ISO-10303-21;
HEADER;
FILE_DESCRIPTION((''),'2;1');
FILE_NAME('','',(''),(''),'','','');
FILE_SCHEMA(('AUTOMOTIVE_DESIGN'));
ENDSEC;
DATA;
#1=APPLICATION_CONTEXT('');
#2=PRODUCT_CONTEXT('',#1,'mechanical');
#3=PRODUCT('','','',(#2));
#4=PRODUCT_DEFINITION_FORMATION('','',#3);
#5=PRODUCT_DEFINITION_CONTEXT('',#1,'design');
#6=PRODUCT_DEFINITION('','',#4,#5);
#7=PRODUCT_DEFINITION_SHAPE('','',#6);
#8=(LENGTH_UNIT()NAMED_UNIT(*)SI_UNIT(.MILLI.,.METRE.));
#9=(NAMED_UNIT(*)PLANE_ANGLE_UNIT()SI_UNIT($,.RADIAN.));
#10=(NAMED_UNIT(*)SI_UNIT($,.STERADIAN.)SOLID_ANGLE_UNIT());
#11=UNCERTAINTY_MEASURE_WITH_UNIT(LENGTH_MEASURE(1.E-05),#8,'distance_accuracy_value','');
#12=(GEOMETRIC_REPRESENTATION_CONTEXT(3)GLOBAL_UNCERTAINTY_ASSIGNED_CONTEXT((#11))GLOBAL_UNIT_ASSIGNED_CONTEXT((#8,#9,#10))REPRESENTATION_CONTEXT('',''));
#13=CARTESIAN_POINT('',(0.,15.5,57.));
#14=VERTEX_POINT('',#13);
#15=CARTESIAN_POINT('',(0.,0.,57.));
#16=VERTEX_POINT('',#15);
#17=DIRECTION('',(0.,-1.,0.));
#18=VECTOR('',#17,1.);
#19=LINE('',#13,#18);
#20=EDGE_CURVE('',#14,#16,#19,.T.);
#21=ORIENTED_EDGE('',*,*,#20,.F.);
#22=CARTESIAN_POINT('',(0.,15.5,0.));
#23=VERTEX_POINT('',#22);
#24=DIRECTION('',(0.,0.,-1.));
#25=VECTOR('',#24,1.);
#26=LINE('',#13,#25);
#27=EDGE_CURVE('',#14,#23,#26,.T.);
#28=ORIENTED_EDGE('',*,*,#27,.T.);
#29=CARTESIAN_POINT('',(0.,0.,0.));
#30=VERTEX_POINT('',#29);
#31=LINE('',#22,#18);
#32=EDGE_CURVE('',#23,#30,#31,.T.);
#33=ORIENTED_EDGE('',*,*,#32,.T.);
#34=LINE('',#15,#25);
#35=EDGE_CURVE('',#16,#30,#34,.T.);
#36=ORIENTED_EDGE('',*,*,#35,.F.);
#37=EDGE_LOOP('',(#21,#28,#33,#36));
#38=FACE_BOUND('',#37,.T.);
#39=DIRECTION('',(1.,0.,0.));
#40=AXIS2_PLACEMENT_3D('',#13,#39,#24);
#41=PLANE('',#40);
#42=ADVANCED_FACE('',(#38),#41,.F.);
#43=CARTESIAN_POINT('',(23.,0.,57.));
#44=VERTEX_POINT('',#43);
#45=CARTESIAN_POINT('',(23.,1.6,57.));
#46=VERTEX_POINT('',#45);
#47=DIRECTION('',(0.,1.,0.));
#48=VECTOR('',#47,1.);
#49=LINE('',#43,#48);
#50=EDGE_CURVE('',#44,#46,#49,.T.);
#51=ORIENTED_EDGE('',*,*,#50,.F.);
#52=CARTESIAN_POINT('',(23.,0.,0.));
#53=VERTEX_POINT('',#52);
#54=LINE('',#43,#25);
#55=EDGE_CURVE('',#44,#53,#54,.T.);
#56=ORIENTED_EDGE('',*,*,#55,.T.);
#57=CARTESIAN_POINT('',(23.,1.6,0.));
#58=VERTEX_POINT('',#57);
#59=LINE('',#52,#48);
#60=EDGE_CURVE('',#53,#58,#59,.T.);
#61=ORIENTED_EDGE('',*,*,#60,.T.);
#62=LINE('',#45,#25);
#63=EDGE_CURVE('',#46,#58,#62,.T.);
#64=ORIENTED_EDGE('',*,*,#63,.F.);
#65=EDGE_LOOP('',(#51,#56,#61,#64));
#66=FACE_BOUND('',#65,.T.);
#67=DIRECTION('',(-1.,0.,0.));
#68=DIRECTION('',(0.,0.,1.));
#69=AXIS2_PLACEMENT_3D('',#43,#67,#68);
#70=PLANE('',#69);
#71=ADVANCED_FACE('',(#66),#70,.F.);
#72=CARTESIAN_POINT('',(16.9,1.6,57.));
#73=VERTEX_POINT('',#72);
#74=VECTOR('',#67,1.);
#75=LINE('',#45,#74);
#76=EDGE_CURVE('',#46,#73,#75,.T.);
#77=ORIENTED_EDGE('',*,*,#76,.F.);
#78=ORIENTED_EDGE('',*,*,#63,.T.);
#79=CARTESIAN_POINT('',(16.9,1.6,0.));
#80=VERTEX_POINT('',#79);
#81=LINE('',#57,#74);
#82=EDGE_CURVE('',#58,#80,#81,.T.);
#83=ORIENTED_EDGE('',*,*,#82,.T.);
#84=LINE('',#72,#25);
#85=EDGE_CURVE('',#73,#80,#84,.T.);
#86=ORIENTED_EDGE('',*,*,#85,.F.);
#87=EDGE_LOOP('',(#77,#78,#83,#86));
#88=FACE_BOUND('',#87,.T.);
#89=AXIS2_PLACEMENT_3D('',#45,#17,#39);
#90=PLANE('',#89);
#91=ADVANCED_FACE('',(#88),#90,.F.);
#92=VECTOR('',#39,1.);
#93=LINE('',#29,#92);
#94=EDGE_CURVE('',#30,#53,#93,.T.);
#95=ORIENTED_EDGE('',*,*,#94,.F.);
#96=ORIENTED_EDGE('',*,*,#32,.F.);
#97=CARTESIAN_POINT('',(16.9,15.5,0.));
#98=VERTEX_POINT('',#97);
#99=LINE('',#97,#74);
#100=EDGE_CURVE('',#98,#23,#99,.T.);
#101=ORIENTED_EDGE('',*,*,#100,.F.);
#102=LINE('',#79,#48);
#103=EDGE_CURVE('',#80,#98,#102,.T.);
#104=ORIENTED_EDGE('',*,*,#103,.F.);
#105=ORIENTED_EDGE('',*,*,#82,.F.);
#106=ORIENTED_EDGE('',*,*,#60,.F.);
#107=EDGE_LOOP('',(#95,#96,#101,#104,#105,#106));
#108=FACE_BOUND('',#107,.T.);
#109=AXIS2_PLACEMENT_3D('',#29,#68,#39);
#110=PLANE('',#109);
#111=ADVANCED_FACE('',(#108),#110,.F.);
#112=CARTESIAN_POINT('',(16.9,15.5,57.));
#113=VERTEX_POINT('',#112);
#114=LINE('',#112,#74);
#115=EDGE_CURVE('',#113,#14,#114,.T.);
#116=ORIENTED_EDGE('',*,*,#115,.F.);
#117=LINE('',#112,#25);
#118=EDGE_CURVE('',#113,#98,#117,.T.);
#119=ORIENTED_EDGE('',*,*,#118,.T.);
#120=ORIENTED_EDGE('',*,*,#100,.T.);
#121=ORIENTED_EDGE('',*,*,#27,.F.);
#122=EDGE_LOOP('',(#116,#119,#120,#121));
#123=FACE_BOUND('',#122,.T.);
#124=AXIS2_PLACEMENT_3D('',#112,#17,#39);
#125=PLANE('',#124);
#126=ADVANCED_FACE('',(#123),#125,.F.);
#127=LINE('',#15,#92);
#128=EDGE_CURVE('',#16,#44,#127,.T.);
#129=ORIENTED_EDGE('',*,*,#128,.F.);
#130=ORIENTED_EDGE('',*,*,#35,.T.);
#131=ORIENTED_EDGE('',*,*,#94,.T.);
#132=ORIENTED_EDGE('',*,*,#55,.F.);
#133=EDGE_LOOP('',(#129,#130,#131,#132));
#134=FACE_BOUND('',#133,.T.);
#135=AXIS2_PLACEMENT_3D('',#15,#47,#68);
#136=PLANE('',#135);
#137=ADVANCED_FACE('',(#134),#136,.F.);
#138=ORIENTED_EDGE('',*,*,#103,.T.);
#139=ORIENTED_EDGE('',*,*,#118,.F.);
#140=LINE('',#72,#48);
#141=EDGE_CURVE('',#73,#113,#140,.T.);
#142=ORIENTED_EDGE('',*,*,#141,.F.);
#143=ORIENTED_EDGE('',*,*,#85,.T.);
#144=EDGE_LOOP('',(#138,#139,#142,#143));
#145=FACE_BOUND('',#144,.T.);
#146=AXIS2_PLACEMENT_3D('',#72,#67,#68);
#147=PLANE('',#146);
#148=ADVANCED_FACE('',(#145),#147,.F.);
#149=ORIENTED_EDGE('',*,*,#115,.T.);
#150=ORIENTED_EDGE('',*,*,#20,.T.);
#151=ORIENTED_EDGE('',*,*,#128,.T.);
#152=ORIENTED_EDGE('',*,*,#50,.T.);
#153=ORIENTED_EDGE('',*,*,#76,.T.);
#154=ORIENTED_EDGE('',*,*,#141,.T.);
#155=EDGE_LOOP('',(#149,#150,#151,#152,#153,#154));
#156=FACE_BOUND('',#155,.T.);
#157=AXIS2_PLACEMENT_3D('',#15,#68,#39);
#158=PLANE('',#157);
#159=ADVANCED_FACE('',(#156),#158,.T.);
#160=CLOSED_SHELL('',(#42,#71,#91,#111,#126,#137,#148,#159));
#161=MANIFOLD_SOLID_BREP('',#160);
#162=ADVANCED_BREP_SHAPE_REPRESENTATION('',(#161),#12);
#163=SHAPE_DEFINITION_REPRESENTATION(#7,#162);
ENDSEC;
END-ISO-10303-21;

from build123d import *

# Parameters (mm, degrees)
BOSS_EXTRUDE1_DEPTH = 57


with BuildPart() as part:
    # Sketch1 → Boss-Extrude1 (new body)
    with BuildSketch(Plane.XY):
        Polygon((0, 0), (23, 0), (23, 1.6), (16.9, 1.6), (16.9, 15.5), (0, 15.5), align=None)
    extrude(amount=BOSS_EXTRUDE1_DEPTH)


solid = part.part
